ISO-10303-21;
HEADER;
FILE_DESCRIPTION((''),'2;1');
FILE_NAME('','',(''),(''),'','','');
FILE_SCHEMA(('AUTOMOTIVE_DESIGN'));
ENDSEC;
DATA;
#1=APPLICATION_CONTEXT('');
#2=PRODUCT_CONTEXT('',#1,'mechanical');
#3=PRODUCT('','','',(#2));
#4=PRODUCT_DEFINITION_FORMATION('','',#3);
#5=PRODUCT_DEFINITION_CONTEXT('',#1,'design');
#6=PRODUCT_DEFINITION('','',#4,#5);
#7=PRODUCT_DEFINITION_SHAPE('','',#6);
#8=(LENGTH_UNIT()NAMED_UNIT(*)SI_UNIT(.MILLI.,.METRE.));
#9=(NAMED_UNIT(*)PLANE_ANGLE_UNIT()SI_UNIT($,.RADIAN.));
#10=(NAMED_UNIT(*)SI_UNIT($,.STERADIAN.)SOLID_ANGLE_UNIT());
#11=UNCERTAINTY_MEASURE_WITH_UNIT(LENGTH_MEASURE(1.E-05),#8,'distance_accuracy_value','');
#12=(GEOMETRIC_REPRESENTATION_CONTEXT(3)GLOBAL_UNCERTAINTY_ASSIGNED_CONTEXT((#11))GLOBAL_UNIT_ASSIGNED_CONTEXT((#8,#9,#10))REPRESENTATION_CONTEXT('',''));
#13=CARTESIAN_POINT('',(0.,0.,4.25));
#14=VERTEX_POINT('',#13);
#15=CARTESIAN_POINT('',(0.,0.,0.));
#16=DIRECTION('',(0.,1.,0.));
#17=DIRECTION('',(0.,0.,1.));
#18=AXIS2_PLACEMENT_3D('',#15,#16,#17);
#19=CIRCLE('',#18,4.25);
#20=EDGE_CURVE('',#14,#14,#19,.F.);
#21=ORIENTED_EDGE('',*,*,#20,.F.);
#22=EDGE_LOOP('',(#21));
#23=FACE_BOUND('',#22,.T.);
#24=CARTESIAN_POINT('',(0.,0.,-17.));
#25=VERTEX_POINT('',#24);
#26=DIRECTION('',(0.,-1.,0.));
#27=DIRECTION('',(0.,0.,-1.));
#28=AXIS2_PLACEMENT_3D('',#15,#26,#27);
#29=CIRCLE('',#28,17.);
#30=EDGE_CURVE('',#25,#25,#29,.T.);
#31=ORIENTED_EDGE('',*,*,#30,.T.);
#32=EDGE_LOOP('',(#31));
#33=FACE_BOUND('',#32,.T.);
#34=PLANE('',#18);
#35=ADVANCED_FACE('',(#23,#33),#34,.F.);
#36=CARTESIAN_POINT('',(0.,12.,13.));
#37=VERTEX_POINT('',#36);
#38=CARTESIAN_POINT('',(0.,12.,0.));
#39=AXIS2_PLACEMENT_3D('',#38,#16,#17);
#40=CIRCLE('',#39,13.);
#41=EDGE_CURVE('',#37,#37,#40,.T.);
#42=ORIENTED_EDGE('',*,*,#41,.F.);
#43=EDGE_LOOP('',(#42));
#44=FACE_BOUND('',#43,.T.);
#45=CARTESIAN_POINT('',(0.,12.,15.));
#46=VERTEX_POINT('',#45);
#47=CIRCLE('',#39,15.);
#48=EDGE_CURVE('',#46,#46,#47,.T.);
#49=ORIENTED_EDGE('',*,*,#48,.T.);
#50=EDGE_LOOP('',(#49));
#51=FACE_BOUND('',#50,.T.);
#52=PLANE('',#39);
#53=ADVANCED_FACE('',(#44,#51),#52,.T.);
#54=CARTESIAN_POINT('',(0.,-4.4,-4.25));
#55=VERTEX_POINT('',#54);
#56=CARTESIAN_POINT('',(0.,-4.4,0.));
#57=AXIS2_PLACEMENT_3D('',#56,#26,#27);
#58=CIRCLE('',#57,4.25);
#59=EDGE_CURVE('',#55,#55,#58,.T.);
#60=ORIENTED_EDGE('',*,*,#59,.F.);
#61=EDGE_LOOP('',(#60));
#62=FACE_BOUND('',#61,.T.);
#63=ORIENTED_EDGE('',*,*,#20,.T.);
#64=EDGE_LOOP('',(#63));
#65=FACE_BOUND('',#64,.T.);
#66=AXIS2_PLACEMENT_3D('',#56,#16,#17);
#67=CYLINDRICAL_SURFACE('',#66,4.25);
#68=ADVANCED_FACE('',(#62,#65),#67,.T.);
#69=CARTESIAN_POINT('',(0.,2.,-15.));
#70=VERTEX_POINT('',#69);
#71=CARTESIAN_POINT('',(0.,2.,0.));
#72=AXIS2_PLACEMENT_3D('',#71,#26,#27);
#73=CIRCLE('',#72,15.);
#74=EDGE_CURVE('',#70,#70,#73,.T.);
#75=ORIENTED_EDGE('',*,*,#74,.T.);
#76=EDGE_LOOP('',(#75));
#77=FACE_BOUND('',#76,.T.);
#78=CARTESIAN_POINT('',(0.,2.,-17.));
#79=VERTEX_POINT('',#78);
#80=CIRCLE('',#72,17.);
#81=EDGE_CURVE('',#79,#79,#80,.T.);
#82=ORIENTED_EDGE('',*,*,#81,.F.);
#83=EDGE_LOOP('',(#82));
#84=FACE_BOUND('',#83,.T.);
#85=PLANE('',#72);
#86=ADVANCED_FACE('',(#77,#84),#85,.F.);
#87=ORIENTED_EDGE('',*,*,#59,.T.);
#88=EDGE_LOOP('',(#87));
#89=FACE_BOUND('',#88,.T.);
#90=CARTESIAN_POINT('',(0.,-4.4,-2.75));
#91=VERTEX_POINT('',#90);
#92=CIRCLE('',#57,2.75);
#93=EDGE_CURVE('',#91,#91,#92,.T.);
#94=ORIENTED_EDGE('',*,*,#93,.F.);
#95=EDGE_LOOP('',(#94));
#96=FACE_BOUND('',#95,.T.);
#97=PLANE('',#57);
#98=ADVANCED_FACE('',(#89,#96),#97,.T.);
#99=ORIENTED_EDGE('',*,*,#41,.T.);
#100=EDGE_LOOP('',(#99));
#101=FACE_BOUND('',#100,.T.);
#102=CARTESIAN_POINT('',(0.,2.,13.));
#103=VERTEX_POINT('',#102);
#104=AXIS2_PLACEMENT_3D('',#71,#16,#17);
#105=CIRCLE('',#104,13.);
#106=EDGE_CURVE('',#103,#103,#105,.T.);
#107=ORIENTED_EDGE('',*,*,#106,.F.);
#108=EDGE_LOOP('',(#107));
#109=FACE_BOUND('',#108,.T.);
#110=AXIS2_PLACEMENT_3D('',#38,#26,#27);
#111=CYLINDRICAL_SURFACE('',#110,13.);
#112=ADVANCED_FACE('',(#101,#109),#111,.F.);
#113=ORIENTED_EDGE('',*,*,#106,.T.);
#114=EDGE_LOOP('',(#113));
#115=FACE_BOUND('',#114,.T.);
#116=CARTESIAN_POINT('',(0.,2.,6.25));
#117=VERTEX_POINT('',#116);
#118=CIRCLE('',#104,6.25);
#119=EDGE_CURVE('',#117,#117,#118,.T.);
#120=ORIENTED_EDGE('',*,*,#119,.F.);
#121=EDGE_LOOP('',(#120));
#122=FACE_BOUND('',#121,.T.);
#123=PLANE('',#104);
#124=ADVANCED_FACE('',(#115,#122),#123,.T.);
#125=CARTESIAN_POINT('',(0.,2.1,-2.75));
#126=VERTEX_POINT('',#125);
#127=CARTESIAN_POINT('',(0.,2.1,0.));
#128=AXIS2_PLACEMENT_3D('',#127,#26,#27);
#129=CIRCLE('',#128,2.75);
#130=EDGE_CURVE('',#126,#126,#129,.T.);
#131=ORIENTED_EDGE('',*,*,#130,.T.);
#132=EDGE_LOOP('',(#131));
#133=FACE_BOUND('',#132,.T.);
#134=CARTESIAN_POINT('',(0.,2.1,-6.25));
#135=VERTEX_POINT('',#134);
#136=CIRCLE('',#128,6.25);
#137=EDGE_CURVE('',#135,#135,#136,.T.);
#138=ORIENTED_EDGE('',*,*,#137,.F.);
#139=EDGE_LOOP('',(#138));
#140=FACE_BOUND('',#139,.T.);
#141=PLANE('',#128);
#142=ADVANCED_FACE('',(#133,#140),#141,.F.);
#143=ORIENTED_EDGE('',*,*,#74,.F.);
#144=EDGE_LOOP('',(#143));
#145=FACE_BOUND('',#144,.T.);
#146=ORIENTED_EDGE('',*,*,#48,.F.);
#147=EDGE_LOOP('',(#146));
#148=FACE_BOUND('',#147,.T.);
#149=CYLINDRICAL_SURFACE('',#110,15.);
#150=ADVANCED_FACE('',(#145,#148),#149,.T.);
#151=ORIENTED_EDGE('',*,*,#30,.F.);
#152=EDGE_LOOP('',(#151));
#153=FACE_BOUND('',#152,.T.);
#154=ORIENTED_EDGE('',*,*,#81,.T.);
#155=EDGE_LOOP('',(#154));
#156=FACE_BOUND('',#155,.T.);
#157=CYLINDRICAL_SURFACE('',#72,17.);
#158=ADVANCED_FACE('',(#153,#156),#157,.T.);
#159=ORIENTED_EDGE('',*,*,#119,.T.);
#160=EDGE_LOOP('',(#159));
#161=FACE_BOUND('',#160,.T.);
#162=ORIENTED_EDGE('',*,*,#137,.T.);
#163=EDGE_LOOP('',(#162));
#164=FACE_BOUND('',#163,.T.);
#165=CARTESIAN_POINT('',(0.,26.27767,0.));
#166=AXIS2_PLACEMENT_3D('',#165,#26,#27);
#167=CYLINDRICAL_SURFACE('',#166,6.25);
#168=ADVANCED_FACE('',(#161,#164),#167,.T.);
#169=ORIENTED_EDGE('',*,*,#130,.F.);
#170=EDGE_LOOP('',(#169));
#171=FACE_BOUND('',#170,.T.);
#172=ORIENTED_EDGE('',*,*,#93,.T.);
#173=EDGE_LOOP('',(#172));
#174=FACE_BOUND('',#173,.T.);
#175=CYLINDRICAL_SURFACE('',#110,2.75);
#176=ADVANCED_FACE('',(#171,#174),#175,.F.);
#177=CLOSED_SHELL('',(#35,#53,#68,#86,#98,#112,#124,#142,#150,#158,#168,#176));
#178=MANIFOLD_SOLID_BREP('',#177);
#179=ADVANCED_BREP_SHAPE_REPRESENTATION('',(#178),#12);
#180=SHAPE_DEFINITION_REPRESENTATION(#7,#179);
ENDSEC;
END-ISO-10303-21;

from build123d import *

# Parameters (mm, degrees)
SKETCH2_R           = 15
BOSS_EXTRUDE1_DEPTH = 12
SHELL1_T            = -2
SKETCH4_R           = 2.75
CUT_EXTRUDE1_DEPTH  = 25.372115214
SKETCH5_R           = 17
SKETCH5_R_2         = 15
BOSS_EXTRUDE3_DEPTH = 2
BOSS_EXTRUDE5_START = 4.4
SKETCH7_R           = 4.25
SKETCH7_R_2         = 2.75
BOSS_EXTRUDE5_DEPTH = 4.4
SKETCH6_R           = 6.25
SKETCH6_R_2         = 2.75
BOSS_EXTRUDE4_DEPTH = 0.1


with BuildPart() as part:
    # Sketch2 → Boss-Extrude1 (new body)
    with BuildSketch(Plane(origin=(0, 0, 0), x_dir=(1, 0, 0), z_dir=(0, 1, 0))):
        with Locations(Location((0, 0, 0), (0, 0, 270))):
            Circle(SKETCH2_R)
    extrude(amount=BOSS_EXTRUDE1_DEPTH)

    # Shell1
    shell1_openings = [part.faces().sort_by_distance(p)[0] for p in [
        (0, 12, 0),
    ]]
    offset(amount=SHELL1_T, openings=shell1_openings, kind=Kind.INTERSECTION)

    # Sketch4 → Cut-Extrude1 (cut, through all)
    with BuildSketch(Plane.XZ):
        with Locations(Location((0, 0, 0), (0, 0, 270))):
            Circle(SKETCH4_R)
    extrude(amount=-CUT_EXTRUDE1_DEPTH, mode=Mode.SUBTRACT)

    # Sketch5 → Boss-Extrude3 (add)
    with BuildSketch(Plane.XZ):
        with Locations(Location((0, 0, 0), (0, 0, 270))):
            Circle(SKETCH5_R)
        with Locations(Location((0, 0, 0), (0, 0, 270))):
            Circle(SKETCH5_R_2, mode=Mode.SUBTRACT)
    extrude(amount=-BOSS_EXTRUDE3_DEPTH)

    # Sketch7 → Boss-Extrude5 (add)
    with BuildSketch(Plane.XZ.offset(BOSS_EXTRUDE5_START)):
        with Locations(Location((0, 0, 0), (0, 0, 90))):
            Circle(SKETCH7_R)
        with Locations(Location((0, 0, 0), (0, 0, 270))):
            Circle(SKETCH7_R_2, mode=Mode.SUBTRACT)
    extrude(amount=-BOSS_EXTRUDE5_DEPTH)

    # Sketch6 → Boss-Extrude4 (add)
    with BuildSketch(Plane(origin=(0, 2, 0), x_dir=(1, 0, 0), z_dir=(0, 1, 0))):
        with Locations(Location((0, 0, 0), (0, 0, 90))):
            Circle(SKETCH6_R)
        with Locations(Location((0, 0, 0), (0, 0, 90))):
            Circle(SKETCH6_R_2, mode=Mode.SUBTRACT)
    extrude(amount=BOSS_EXTRUDE4_DEPTH)


solid = part.part
